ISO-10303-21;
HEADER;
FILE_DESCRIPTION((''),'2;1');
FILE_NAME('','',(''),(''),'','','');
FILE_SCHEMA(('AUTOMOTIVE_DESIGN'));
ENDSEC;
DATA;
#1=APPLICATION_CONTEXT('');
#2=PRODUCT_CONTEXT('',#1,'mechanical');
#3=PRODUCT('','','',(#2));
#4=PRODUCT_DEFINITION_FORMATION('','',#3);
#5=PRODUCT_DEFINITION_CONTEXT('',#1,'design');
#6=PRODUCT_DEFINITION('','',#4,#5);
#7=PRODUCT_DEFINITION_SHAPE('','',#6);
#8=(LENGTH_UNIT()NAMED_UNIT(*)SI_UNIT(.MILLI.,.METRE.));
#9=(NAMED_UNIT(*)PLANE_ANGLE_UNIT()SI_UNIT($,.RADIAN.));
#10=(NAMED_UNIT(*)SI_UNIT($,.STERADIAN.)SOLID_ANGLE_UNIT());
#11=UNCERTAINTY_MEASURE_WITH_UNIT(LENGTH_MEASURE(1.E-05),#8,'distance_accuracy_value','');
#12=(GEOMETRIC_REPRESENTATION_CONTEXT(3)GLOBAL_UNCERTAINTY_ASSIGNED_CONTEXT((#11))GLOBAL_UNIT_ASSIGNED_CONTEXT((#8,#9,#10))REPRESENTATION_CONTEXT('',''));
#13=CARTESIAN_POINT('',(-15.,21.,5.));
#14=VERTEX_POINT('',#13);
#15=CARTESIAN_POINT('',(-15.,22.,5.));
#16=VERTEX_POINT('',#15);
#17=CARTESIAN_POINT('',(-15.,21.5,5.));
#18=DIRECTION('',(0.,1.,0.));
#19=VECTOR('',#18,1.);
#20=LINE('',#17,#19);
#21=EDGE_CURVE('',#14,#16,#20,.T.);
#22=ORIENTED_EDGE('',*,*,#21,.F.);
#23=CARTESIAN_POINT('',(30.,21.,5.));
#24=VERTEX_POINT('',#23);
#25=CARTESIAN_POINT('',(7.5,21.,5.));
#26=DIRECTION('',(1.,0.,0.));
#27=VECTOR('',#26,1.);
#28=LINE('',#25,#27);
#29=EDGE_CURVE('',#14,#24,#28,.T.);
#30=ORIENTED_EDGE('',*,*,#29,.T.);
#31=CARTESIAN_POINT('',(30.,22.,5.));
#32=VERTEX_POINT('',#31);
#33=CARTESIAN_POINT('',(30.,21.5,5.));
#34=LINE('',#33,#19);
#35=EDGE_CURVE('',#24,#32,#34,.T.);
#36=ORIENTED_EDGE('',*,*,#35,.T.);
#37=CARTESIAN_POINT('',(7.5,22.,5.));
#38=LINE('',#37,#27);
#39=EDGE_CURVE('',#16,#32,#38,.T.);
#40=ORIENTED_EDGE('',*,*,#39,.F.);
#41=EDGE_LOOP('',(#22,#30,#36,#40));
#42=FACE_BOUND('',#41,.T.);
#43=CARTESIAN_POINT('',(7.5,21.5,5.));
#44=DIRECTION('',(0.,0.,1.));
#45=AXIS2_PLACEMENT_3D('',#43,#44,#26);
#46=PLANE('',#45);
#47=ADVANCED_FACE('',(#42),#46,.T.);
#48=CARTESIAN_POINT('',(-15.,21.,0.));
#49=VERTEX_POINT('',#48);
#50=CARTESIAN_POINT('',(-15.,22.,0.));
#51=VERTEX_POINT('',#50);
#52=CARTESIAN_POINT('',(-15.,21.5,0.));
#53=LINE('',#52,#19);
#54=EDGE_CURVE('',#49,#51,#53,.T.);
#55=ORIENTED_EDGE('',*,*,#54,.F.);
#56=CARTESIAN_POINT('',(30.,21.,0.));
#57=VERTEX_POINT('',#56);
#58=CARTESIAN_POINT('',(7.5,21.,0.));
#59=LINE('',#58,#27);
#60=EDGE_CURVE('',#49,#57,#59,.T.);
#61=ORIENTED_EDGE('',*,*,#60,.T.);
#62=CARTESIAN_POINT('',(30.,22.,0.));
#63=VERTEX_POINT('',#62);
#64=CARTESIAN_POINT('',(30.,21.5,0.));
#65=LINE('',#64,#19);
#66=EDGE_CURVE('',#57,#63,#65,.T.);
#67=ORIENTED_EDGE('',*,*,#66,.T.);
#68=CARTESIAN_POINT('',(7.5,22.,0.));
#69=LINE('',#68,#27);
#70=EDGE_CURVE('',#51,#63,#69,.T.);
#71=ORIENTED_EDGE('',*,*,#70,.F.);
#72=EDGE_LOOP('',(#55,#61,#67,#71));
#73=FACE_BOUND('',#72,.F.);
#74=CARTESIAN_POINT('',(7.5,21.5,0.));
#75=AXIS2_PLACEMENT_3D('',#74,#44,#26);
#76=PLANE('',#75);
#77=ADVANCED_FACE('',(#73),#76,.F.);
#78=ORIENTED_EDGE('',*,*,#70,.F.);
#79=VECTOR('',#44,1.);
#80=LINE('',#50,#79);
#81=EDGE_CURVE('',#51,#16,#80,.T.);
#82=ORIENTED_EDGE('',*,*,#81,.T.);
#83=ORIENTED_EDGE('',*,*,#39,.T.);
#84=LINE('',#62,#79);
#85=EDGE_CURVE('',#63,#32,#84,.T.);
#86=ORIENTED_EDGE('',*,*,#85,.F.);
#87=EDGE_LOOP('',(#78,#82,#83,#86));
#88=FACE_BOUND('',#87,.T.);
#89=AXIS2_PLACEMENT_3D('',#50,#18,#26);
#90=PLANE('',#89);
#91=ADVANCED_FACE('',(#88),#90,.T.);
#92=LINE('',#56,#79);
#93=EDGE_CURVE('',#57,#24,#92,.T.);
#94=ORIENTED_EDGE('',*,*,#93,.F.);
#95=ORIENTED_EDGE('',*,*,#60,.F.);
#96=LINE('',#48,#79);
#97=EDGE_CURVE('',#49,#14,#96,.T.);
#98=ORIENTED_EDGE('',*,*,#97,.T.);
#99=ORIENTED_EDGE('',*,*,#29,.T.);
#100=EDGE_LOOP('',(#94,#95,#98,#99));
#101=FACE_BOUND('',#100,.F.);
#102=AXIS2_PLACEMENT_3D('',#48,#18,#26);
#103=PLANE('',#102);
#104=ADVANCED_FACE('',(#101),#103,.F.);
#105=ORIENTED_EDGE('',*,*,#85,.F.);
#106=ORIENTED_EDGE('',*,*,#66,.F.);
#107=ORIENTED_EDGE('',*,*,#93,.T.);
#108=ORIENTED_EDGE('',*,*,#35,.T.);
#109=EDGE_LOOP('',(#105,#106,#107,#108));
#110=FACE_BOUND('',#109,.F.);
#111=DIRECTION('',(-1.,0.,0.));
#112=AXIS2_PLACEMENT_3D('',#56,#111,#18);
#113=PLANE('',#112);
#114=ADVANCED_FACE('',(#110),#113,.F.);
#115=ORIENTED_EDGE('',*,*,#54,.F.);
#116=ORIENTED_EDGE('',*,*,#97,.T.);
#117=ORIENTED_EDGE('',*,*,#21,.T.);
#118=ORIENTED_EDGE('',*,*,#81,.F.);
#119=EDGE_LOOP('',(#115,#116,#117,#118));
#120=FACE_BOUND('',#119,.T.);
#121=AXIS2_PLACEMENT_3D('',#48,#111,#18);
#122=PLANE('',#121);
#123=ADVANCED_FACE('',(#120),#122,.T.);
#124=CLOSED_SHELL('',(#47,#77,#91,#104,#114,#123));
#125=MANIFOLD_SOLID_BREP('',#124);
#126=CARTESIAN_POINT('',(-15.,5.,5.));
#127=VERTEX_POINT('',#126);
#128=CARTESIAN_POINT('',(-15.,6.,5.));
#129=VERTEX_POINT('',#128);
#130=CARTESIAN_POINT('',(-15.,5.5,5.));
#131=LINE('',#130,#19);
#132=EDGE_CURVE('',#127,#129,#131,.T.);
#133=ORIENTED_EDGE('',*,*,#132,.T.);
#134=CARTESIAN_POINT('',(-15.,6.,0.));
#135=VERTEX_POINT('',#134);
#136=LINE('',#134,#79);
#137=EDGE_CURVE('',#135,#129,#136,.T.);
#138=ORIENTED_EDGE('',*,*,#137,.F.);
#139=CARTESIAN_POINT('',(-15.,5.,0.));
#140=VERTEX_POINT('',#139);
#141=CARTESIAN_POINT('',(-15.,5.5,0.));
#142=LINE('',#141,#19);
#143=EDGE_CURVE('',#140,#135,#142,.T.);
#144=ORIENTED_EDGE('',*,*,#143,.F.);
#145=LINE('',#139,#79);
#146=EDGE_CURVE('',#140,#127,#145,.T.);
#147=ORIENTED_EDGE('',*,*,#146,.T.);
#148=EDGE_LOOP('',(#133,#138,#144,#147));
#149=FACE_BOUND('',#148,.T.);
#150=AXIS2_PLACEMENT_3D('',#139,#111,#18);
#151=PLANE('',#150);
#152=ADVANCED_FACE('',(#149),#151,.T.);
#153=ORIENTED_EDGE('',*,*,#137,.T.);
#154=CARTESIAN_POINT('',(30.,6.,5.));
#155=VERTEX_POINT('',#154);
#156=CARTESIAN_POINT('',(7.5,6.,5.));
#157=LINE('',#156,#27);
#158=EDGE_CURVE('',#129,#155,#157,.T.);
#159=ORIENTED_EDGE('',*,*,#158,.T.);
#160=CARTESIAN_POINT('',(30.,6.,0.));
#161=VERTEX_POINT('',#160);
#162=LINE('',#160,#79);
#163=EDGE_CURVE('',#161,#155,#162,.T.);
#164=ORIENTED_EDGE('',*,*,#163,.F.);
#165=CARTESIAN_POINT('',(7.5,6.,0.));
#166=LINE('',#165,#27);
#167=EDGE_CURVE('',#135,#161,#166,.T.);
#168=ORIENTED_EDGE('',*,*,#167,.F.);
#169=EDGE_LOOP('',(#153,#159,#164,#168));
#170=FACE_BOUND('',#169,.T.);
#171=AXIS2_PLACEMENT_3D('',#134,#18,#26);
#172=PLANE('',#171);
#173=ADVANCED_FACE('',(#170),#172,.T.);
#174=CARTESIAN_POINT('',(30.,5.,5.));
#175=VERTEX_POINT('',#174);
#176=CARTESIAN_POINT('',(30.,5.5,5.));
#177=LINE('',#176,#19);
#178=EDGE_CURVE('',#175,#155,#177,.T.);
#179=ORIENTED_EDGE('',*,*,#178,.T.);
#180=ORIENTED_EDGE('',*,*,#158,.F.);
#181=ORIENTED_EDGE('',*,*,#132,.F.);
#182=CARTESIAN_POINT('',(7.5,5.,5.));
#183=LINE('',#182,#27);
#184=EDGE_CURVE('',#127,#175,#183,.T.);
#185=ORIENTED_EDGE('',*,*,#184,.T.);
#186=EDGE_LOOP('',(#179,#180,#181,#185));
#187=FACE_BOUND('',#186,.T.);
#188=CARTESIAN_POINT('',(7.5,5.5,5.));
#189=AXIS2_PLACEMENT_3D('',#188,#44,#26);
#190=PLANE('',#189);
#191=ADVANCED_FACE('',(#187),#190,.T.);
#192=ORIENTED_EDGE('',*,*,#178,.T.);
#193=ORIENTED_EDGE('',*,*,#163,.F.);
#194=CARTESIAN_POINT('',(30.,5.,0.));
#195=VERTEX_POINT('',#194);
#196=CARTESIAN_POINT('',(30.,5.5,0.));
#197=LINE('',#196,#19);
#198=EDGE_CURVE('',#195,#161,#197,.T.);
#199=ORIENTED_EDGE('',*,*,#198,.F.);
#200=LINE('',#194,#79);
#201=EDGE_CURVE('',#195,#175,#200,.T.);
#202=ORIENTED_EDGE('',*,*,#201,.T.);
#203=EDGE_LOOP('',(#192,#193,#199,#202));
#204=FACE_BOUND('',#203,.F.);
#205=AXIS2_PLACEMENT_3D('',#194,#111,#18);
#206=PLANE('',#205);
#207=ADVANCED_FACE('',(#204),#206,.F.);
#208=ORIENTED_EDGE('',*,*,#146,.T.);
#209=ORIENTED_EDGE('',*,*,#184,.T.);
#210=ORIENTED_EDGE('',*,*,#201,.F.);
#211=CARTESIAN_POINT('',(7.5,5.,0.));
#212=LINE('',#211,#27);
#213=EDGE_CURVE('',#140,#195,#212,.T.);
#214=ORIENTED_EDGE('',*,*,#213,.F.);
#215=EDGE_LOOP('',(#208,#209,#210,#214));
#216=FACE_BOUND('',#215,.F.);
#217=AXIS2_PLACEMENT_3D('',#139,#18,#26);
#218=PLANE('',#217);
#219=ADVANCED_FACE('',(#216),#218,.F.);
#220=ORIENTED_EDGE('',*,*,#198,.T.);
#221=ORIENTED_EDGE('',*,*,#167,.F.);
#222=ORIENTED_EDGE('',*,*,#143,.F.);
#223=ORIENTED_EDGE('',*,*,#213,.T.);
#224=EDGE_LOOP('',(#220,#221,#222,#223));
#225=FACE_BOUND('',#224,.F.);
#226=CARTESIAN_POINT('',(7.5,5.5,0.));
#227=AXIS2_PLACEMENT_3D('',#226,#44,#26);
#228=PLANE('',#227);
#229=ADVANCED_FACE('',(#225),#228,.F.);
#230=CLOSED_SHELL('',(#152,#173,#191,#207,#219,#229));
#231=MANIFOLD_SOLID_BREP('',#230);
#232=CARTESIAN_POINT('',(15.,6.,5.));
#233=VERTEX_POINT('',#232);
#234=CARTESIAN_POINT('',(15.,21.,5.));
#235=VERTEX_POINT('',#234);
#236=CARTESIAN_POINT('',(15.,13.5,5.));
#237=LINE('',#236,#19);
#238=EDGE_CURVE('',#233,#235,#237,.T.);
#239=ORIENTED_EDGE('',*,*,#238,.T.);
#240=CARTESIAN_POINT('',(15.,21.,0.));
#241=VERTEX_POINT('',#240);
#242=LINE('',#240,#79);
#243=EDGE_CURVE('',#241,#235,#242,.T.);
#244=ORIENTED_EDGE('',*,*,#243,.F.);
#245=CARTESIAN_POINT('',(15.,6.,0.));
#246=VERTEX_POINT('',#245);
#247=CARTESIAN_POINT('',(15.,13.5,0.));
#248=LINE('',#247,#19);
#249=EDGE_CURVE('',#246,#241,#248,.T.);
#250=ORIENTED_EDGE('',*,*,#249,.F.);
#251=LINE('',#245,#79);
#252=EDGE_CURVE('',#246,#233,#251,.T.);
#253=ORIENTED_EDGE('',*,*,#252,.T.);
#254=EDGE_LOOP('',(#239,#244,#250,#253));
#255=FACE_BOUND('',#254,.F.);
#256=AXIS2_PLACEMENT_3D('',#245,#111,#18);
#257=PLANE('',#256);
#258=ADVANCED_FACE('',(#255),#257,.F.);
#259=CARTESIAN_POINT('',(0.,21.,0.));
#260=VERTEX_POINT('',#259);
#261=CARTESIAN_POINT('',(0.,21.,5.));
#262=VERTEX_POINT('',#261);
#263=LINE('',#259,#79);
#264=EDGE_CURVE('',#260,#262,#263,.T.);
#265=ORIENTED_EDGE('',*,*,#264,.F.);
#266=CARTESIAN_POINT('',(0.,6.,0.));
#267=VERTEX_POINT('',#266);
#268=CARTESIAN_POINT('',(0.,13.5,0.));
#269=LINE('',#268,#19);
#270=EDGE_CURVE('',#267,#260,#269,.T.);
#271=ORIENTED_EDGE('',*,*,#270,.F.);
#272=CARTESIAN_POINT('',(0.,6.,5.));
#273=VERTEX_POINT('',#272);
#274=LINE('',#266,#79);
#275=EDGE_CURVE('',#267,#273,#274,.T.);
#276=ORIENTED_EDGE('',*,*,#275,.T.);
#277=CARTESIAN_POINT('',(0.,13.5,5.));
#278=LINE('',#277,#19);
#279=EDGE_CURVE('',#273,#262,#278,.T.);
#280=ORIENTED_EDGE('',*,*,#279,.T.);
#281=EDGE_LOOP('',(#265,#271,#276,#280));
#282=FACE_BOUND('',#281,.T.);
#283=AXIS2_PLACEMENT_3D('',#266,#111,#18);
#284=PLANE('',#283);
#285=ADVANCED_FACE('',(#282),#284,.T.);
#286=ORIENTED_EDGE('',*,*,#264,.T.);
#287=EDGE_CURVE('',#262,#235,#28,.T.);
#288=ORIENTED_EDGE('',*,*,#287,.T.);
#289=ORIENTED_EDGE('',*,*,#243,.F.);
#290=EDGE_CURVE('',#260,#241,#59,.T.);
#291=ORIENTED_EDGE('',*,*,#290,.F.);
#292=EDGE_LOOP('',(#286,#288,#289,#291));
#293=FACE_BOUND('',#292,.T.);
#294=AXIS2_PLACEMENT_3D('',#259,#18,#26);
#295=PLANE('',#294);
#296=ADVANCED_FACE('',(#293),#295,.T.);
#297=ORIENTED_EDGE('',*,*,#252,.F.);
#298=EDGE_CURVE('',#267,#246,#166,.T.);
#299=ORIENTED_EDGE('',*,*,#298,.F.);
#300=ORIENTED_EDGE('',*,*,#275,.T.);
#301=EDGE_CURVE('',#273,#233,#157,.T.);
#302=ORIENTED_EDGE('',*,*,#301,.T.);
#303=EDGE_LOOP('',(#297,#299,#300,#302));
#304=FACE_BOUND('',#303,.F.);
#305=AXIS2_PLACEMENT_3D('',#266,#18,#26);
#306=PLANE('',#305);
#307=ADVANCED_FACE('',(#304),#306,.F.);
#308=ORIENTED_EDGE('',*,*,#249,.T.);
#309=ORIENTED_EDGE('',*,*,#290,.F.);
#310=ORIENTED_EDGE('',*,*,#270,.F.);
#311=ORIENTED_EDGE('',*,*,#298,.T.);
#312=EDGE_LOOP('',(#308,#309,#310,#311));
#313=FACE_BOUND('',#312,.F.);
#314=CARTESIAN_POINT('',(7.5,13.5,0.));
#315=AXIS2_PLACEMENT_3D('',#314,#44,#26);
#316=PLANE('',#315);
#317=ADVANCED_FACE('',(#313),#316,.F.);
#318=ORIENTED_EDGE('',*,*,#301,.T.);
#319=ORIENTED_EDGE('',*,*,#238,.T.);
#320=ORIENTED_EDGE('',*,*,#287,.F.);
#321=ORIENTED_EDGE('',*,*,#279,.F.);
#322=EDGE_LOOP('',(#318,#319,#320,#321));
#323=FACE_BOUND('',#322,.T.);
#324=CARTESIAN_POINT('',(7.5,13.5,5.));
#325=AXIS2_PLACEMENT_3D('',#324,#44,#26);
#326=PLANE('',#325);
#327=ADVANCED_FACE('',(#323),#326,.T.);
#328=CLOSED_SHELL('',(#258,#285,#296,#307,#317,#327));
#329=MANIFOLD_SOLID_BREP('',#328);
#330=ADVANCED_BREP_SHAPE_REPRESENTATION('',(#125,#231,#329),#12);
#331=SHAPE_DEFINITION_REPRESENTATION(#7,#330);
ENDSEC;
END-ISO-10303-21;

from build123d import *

# Parameters (mm, degrees)
BOX_W        = 15
BOX_H        = 15
BOX_DEPTH    = 5
BOX003_W     = 45
BOX003_H     = 1
BOX003_DEPTH = 5
BOX004_W     = 45
BOX004_H     = 1
BOX004_DEPTH = 5


with BuildPart() as cube:
    # Box → Box (new body)
    with BuildSketch(Plane(origin=(0, 6, 0), x_dir=(1, 0, 0), z_dir=(0, 0, 1))):
        with Locations((7.5, 7.5)):
            Rectangle(BOX_W, BOX_H)
    extrude(amount=BOX_DEPTH)


with BuildPart() as cube003:
    # Box003 → Box003 (new body)
    with BuildSketch(Plane(origin=(-15, 5, 0), x_dir=(1, 0, 0), z_dir=(0, 0, 1))):
        with Locations((22.5, 0.5)):
            Rectangle(BOX003_W, BOX003_H)
    extrude(amount=BOX003_DEPTH)


with BuildPart() as cube004:
    # Box004 → Box004 (new body)
    with BuildSketch(Plane(origin=(-15, 21, 0), x_dir=(1, 0, 0), z_dir=(0, 0, 1))):
        with Locations((22.5, 0.5)):
            Rectangle(BOX004_W, BOX004_H)
    extrude(amount=BOX004_DEPTH)


solid = Compound([cube.part, cube003.part, cube004.part])
